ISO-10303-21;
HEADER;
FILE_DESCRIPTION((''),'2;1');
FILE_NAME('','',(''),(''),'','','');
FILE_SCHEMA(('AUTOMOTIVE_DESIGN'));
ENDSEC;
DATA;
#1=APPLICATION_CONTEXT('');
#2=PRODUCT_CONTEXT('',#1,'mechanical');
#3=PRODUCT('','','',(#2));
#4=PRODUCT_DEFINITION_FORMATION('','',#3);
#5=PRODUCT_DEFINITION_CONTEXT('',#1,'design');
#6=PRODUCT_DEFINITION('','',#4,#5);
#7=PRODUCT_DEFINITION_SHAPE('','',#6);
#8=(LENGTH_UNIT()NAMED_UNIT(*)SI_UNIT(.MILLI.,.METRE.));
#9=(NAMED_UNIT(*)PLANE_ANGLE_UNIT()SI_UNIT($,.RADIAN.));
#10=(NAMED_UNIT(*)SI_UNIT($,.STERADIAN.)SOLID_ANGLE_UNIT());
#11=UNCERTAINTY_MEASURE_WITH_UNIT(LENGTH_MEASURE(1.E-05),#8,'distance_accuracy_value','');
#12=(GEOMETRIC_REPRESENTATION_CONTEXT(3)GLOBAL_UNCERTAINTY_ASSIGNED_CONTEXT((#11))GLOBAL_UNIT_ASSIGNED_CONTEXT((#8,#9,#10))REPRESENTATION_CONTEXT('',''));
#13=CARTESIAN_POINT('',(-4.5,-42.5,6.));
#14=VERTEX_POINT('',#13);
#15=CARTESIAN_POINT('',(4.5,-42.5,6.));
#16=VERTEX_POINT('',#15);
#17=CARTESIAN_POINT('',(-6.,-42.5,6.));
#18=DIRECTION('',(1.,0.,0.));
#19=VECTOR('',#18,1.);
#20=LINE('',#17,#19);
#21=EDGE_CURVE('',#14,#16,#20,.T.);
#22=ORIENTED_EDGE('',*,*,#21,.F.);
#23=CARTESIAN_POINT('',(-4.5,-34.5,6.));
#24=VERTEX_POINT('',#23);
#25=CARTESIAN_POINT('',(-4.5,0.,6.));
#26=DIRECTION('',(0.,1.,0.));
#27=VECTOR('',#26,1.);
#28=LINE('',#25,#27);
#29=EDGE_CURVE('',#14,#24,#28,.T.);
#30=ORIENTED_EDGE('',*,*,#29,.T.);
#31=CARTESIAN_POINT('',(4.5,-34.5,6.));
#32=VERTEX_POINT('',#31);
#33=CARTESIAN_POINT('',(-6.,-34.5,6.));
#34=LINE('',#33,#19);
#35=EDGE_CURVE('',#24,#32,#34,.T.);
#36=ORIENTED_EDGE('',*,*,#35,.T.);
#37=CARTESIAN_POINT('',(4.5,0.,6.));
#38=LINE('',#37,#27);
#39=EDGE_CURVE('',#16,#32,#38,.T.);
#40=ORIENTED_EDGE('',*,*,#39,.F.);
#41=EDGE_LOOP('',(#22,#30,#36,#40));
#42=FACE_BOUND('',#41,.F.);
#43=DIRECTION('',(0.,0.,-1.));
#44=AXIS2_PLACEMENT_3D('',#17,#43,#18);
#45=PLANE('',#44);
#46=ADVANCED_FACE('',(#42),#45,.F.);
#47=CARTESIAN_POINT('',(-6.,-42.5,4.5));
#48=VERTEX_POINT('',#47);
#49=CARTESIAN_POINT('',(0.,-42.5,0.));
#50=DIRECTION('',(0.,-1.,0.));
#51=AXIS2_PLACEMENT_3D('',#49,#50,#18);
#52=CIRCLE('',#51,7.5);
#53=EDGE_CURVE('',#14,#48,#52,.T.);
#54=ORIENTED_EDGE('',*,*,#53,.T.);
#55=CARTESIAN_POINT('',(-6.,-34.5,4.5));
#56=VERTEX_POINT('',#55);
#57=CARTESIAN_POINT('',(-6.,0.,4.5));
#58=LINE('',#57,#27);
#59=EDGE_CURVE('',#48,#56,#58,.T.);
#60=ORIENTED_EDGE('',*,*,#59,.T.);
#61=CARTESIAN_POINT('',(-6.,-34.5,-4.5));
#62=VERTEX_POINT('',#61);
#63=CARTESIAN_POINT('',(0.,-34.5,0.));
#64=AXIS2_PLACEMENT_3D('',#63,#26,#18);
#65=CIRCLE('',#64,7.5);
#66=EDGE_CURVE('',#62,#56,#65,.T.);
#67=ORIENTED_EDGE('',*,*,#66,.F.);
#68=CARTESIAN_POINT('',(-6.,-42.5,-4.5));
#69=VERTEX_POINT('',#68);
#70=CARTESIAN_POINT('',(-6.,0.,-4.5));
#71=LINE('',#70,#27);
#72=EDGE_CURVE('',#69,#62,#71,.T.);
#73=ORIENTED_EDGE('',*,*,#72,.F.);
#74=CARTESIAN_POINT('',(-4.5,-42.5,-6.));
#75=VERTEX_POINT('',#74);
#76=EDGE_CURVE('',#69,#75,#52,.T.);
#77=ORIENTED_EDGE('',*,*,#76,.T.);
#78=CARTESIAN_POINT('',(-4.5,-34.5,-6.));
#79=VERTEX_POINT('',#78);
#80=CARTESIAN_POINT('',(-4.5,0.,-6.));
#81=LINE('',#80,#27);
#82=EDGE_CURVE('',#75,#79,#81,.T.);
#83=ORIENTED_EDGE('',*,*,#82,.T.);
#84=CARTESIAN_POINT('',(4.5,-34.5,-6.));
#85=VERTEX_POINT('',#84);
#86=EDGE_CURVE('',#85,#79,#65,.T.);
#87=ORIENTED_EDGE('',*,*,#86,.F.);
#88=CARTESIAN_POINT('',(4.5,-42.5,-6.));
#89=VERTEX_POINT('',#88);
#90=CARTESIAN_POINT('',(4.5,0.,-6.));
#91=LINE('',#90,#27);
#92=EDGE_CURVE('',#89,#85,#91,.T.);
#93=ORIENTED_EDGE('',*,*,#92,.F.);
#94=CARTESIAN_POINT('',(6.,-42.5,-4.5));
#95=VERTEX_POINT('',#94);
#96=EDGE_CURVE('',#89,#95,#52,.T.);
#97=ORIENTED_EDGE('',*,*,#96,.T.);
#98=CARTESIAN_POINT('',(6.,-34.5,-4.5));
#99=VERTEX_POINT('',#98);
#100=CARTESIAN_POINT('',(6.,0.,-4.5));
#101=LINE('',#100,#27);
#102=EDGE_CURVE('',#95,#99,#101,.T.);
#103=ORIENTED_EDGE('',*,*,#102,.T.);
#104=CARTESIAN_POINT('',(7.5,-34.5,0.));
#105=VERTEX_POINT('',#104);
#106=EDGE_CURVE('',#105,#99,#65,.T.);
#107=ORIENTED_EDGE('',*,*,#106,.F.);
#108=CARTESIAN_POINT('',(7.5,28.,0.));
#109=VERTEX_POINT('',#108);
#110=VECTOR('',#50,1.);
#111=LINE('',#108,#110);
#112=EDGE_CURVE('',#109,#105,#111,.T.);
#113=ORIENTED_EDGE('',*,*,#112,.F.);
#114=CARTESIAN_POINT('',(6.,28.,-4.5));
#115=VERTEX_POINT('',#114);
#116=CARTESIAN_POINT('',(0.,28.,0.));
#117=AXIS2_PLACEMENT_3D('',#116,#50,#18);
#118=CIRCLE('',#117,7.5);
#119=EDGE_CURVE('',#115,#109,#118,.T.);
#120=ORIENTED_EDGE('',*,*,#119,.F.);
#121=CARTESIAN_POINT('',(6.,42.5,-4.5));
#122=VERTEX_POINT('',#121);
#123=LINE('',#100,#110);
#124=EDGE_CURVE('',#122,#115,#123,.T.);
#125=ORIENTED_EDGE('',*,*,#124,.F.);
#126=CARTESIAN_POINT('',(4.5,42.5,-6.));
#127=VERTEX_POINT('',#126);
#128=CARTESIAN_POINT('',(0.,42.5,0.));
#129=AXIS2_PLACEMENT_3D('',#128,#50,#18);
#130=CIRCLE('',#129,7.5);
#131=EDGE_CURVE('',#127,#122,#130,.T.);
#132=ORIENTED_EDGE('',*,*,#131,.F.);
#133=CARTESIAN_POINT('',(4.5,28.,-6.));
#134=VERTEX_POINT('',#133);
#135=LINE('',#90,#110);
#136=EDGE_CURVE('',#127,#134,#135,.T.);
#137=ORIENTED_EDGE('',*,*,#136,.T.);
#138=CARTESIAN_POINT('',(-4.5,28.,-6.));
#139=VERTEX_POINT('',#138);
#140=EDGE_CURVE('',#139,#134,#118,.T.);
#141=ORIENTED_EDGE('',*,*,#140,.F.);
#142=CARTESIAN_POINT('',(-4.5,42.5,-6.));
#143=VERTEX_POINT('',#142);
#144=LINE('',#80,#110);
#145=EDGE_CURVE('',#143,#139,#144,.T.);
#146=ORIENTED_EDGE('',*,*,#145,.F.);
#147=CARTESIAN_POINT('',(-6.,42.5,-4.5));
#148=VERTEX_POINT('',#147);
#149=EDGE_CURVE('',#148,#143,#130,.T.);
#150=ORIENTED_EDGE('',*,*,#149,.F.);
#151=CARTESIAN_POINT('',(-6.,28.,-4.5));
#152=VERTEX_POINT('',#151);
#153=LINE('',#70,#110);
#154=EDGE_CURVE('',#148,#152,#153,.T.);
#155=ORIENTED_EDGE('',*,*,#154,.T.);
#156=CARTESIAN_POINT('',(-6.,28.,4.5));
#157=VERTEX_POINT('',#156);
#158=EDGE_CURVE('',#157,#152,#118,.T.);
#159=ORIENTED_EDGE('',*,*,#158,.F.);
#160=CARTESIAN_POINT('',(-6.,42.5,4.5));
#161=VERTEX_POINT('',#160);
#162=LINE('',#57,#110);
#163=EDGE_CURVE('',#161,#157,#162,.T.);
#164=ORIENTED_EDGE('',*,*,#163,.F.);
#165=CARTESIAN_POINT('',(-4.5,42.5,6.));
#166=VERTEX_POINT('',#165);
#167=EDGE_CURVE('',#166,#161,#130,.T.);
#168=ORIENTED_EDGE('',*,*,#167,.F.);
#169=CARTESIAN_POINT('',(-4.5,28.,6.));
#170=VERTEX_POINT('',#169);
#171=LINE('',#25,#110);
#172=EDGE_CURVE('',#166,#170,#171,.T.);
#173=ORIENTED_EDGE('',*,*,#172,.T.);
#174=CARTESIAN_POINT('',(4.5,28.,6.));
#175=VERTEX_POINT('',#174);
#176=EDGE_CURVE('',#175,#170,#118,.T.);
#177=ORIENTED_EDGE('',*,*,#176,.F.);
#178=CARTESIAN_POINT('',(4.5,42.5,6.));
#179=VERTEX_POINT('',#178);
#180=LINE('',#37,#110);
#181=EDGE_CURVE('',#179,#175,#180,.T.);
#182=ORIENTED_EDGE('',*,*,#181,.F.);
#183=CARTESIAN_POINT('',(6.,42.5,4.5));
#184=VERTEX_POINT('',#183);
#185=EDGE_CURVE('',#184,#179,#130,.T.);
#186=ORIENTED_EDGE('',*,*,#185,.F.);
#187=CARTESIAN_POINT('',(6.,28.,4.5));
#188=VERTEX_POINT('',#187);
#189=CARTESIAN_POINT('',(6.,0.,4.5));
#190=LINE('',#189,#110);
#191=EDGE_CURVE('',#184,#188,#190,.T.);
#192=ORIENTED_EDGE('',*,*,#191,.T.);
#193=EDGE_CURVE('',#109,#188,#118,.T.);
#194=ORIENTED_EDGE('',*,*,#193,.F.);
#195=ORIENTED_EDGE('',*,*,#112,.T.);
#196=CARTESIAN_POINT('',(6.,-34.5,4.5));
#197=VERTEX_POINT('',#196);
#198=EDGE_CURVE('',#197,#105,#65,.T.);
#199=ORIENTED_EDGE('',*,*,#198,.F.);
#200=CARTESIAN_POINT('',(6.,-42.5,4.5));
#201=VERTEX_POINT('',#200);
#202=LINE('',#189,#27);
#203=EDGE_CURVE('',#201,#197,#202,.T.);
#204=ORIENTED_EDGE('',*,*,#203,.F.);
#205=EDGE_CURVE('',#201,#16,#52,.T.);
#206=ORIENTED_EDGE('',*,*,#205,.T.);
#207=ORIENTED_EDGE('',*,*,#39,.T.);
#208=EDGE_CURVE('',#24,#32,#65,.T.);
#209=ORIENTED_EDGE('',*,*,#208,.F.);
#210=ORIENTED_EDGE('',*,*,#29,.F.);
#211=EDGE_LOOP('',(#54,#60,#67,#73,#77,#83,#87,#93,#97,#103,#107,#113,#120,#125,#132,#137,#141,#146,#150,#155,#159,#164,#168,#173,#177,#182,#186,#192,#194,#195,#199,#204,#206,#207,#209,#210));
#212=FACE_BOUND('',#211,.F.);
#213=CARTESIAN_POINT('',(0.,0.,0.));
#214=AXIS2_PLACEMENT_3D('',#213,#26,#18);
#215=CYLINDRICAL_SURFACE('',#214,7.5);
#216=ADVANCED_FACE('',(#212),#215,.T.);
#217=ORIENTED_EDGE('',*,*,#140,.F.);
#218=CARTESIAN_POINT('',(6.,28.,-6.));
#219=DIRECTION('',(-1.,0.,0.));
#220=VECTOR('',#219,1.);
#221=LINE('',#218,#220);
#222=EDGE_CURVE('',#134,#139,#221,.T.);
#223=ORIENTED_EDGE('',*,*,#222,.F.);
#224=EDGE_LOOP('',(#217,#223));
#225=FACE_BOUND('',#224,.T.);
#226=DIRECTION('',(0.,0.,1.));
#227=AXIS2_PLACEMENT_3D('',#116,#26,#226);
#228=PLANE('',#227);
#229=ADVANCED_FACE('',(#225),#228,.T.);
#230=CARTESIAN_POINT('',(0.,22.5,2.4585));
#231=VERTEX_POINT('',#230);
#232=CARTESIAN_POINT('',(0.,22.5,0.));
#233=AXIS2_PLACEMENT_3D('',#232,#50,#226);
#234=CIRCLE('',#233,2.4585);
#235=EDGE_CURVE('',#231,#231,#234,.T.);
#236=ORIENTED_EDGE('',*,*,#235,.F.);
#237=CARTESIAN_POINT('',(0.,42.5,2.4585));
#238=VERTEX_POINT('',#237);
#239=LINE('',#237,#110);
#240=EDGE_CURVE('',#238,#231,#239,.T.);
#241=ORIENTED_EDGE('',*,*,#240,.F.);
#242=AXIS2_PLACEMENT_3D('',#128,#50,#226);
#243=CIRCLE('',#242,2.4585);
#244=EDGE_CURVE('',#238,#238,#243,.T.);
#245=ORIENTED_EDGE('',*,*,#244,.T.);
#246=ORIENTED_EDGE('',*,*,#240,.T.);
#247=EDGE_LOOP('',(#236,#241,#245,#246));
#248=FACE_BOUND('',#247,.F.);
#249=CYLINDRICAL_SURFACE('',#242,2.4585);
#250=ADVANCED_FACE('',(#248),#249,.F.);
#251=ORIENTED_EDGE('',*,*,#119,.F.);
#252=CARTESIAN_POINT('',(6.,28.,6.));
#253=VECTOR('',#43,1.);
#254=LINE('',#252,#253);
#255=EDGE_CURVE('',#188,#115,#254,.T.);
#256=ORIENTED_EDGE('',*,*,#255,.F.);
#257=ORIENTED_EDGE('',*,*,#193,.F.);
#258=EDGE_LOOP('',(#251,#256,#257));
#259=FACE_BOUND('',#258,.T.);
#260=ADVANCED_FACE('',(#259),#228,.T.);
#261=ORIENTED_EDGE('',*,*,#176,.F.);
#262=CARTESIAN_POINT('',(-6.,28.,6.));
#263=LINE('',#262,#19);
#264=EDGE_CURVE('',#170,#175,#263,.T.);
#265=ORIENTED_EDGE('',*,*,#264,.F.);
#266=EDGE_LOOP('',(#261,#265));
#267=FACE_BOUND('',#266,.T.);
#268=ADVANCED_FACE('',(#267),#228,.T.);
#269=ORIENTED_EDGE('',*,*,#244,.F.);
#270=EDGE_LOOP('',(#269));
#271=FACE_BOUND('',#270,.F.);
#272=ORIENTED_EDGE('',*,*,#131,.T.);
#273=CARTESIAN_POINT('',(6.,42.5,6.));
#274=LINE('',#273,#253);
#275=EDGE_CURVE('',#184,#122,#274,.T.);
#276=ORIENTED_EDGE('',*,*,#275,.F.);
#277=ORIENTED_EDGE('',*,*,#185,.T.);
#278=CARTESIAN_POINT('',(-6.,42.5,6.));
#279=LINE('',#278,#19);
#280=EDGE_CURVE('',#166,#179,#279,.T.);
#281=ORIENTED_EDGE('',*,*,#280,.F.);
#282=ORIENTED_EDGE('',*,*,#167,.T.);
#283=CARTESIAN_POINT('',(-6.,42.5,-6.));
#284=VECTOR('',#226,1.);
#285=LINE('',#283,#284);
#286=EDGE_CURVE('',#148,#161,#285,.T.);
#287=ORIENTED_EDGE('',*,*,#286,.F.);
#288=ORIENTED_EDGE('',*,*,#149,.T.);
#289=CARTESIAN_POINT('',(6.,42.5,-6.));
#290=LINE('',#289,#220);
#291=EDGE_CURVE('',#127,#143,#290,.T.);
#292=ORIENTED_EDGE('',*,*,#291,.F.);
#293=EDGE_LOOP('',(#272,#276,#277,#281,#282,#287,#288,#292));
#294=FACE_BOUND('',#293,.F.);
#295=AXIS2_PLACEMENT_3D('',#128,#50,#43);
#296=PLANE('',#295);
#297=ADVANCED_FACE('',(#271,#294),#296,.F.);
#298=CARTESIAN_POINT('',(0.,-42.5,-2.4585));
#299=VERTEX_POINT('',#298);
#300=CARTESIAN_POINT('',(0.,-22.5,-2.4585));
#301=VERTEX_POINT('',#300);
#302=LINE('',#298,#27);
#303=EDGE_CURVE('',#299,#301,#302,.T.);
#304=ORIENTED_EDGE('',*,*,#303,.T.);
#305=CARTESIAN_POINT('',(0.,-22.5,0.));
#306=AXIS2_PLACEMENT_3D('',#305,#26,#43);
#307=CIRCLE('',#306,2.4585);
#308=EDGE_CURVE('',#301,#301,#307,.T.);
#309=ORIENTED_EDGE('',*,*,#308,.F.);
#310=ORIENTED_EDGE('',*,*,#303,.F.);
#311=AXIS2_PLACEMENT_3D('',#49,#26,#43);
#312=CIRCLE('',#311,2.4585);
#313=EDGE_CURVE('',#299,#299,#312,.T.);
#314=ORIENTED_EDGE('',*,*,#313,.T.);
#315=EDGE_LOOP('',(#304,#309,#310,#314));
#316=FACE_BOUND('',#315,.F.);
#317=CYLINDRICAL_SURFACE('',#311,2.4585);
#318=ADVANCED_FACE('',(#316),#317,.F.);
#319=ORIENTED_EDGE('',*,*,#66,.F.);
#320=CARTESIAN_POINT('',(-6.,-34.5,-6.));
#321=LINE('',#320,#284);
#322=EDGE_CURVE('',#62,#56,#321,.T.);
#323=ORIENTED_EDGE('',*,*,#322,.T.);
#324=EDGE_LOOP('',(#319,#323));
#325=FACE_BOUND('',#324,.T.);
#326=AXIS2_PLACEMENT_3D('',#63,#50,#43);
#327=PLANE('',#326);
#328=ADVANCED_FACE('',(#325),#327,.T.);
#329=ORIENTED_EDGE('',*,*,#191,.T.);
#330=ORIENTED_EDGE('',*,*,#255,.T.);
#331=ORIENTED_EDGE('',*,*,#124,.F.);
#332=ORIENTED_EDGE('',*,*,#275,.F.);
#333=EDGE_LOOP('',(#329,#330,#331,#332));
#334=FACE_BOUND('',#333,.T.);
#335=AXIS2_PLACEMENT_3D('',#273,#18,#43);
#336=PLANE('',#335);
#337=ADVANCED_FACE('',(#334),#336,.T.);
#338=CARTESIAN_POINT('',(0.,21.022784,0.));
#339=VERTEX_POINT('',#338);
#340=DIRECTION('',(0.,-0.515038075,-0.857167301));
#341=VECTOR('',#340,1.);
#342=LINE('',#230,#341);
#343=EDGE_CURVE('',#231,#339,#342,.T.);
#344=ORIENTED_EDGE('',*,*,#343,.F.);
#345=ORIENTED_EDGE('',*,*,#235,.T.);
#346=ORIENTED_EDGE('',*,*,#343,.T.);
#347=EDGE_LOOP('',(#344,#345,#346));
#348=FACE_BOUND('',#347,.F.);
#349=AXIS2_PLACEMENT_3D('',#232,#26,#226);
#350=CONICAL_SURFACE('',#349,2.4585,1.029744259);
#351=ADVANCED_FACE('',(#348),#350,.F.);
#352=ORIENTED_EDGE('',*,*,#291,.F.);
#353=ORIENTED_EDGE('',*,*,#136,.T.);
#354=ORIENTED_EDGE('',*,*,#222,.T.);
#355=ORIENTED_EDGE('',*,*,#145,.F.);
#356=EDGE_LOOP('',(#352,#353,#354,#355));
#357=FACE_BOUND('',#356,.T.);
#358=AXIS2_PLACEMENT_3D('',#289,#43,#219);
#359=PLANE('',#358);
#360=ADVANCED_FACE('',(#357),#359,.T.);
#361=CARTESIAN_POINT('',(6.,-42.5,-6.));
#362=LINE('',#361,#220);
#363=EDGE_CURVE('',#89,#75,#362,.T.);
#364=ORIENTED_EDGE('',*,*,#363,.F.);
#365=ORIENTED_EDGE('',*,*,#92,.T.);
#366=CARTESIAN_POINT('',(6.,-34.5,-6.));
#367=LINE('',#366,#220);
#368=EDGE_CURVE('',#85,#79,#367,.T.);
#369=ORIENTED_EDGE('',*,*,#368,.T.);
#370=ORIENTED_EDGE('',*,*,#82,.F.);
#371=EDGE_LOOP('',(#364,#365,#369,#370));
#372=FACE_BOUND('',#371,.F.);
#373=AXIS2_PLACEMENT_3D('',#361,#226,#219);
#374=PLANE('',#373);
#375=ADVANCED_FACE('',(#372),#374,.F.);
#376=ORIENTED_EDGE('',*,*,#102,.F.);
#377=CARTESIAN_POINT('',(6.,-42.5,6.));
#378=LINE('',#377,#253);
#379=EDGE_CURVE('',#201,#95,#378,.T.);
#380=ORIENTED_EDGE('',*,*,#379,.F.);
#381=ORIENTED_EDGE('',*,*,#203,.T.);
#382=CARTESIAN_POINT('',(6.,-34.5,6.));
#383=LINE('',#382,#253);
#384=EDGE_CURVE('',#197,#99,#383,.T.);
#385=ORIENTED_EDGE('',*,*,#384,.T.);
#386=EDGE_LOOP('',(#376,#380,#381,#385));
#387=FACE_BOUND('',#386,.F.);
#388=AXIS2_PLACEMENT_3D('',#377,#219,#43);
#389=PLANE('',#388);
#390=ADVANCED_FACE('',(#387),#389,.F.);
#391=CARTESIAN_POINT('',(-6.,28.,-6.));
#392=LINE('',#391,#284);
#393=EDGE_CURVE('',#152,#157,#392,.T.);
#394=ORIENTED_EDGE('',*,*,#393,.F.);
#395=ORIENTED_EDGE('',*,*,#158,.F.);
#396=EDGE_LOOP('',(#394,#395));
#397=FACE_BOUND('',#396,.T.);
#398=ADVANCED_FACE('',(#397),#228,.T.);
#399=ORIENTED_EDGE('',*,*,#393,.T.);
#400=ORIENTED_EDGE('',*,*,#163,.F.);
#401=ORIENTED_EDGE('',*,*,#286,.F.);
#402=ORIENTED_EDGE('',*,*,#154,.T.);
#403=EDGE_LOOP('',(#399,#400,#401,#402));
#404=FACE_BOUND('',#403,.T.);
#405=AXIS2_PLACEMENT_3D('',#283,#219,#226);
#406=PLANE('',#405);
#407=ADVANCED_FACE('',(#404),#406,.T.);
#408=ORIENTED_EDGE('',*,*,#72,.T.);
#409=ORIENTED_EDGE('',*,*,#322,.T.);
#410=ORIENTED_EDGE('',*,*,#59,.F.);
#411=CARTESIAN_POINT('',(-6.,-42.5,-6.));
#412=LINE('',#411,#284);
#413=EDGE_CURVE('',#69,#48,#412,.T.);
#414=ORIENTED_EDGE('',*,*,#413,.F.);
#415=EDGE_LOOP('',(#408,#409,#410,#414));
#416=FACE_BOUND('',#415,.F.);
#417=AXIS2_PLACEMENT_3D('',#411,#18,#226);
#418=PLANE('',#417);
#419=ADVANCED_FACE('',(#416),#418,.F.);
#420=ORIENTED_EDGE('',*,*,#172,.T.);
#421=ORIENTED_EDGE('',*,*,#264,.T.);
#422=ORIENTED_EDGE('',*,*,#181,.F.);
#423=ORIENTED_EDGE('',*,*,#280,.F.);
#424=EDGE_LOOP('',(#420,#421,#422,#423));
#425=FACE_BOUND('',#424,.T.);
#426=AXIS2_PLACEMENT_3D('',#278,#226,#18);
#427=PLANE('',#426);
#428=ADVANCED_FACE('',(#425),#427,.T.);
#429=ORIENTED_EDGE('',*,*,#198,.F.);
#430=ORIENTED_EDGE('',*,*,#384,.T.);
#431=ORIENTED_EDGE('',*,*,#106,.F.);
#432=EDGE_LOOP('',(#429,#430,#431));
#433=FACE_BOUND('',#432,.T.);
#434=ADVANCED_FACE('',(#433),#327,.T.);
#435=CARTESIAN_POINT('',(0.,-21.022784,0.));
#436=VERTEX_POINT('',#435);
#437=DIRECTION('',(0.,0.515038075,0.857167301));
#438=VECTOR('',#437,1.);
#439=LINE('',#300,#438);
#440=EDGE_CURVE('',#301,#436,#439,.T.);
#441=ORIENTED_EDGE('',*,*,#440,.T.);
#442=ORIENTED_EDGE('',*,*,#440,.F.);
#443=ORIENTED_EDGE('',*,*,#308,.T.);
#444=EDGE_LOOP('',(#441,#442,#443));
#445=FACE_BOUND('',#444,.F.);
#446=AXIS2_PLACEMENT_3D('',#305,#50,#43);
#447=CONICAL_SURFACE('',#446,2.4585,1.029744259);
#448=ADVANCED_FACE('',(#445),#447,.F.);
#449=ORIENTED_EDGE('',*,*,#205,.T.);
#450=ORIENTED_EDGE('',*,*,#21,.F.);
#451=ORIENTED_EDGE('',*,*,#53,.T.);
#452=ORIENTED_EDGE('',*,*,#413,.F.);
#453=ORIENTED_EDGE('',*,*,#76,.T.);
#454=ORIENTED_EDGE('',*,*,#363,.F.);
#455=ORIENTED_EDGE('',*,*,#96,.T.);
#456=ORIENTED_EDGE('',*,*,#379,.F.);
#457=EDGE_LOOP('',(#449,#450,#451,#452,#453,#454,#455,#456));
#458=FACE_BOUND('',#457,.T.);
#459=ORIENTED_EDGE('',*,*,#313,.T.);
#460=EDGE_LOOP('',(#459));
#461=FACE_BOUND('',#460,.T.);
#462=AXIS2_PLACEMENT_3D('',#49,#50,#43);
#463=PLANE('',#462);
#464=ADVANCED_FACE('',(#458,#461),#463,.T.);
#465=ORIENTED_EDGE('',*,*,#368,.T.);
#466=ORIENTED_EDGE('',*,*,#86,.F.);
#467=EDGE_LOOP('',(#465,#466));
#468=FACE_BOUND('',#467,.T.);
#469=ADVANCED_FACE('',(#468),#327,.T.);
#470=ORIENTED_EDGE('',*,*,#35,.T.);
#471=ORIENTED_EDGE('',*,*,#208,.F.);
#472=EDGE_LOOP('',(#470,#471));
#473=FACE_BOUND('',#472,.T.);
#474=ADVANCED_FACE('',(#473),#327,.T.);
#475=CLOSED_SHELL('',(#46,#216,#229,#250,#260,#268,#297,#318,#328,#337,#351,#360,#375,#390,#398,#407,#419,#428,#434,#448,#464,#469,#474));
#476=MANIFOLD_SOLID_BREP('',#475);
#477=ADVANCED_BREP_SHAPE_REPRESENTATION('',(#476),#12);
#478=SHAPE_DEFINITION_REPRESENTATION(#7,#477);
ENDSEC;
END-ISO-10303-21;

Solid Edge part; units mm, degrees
sketch "Sketch1" plane through (0, 0, 0) normal (0, -1, 0) x (1, 0, 0)
  circle A0 centre (0, 0) radius 7.5
  dimension "D1" = 15
extrude "Protrusion1" add sketch "Sketch1" along normal mid plane 85
sketch "Sketch2" plane through (0, 42.5, 0) normal (0, 1, 0) x (-1, 0, 0)
  line L0 (-6, -6) -> (6, -6)
  line L1 (6, -6) -> (6, 6)
  line L2 (6, 6) -> (-6, 6)
  line L3 (-6, 6) -> (-6, -6)
  circle A0 centre (0, 0) radius 13.0133
  dimension "D1" = 12
  dimension "D2" = 12
extrude "VaciadoExtruido_1" cut sketch "Sketch2" against normal blind 14.5
sketch "Sketch3" plane through (0, -42.5, 0) normal (0, -1, 0) x (1, 0, 0)
  line L0 (-6, 6) -> (6, 6)
  line L1 (6, 6) -> (6, -6)
  line L2 (6, -6) -> (-6, -6)
  line L3 (-6, -6) -> (-6, 6)
  circle A0 centre (0, 0) radius 11.8387
  dimension "D1" = 12
  dimension "D2" = 12
extrude "VaciadoExtruido_2" cut sketch "Sketch3" against normal blind 8
hole "Agujero_1" at (0, 42.5, 0) direction (0, -1, 0) diameter 4.917 depth 20 tip angle 118 thread major 6 thread length 15
hole "Agujero_2" at (0, -42.5, 0) direction (0, 1, 0) diameter 4.917 depth 20 tip angle 118 thread major 6 thread length 15
properties part number "1976-1200-003" material "Aluminio, 7075-T6"
